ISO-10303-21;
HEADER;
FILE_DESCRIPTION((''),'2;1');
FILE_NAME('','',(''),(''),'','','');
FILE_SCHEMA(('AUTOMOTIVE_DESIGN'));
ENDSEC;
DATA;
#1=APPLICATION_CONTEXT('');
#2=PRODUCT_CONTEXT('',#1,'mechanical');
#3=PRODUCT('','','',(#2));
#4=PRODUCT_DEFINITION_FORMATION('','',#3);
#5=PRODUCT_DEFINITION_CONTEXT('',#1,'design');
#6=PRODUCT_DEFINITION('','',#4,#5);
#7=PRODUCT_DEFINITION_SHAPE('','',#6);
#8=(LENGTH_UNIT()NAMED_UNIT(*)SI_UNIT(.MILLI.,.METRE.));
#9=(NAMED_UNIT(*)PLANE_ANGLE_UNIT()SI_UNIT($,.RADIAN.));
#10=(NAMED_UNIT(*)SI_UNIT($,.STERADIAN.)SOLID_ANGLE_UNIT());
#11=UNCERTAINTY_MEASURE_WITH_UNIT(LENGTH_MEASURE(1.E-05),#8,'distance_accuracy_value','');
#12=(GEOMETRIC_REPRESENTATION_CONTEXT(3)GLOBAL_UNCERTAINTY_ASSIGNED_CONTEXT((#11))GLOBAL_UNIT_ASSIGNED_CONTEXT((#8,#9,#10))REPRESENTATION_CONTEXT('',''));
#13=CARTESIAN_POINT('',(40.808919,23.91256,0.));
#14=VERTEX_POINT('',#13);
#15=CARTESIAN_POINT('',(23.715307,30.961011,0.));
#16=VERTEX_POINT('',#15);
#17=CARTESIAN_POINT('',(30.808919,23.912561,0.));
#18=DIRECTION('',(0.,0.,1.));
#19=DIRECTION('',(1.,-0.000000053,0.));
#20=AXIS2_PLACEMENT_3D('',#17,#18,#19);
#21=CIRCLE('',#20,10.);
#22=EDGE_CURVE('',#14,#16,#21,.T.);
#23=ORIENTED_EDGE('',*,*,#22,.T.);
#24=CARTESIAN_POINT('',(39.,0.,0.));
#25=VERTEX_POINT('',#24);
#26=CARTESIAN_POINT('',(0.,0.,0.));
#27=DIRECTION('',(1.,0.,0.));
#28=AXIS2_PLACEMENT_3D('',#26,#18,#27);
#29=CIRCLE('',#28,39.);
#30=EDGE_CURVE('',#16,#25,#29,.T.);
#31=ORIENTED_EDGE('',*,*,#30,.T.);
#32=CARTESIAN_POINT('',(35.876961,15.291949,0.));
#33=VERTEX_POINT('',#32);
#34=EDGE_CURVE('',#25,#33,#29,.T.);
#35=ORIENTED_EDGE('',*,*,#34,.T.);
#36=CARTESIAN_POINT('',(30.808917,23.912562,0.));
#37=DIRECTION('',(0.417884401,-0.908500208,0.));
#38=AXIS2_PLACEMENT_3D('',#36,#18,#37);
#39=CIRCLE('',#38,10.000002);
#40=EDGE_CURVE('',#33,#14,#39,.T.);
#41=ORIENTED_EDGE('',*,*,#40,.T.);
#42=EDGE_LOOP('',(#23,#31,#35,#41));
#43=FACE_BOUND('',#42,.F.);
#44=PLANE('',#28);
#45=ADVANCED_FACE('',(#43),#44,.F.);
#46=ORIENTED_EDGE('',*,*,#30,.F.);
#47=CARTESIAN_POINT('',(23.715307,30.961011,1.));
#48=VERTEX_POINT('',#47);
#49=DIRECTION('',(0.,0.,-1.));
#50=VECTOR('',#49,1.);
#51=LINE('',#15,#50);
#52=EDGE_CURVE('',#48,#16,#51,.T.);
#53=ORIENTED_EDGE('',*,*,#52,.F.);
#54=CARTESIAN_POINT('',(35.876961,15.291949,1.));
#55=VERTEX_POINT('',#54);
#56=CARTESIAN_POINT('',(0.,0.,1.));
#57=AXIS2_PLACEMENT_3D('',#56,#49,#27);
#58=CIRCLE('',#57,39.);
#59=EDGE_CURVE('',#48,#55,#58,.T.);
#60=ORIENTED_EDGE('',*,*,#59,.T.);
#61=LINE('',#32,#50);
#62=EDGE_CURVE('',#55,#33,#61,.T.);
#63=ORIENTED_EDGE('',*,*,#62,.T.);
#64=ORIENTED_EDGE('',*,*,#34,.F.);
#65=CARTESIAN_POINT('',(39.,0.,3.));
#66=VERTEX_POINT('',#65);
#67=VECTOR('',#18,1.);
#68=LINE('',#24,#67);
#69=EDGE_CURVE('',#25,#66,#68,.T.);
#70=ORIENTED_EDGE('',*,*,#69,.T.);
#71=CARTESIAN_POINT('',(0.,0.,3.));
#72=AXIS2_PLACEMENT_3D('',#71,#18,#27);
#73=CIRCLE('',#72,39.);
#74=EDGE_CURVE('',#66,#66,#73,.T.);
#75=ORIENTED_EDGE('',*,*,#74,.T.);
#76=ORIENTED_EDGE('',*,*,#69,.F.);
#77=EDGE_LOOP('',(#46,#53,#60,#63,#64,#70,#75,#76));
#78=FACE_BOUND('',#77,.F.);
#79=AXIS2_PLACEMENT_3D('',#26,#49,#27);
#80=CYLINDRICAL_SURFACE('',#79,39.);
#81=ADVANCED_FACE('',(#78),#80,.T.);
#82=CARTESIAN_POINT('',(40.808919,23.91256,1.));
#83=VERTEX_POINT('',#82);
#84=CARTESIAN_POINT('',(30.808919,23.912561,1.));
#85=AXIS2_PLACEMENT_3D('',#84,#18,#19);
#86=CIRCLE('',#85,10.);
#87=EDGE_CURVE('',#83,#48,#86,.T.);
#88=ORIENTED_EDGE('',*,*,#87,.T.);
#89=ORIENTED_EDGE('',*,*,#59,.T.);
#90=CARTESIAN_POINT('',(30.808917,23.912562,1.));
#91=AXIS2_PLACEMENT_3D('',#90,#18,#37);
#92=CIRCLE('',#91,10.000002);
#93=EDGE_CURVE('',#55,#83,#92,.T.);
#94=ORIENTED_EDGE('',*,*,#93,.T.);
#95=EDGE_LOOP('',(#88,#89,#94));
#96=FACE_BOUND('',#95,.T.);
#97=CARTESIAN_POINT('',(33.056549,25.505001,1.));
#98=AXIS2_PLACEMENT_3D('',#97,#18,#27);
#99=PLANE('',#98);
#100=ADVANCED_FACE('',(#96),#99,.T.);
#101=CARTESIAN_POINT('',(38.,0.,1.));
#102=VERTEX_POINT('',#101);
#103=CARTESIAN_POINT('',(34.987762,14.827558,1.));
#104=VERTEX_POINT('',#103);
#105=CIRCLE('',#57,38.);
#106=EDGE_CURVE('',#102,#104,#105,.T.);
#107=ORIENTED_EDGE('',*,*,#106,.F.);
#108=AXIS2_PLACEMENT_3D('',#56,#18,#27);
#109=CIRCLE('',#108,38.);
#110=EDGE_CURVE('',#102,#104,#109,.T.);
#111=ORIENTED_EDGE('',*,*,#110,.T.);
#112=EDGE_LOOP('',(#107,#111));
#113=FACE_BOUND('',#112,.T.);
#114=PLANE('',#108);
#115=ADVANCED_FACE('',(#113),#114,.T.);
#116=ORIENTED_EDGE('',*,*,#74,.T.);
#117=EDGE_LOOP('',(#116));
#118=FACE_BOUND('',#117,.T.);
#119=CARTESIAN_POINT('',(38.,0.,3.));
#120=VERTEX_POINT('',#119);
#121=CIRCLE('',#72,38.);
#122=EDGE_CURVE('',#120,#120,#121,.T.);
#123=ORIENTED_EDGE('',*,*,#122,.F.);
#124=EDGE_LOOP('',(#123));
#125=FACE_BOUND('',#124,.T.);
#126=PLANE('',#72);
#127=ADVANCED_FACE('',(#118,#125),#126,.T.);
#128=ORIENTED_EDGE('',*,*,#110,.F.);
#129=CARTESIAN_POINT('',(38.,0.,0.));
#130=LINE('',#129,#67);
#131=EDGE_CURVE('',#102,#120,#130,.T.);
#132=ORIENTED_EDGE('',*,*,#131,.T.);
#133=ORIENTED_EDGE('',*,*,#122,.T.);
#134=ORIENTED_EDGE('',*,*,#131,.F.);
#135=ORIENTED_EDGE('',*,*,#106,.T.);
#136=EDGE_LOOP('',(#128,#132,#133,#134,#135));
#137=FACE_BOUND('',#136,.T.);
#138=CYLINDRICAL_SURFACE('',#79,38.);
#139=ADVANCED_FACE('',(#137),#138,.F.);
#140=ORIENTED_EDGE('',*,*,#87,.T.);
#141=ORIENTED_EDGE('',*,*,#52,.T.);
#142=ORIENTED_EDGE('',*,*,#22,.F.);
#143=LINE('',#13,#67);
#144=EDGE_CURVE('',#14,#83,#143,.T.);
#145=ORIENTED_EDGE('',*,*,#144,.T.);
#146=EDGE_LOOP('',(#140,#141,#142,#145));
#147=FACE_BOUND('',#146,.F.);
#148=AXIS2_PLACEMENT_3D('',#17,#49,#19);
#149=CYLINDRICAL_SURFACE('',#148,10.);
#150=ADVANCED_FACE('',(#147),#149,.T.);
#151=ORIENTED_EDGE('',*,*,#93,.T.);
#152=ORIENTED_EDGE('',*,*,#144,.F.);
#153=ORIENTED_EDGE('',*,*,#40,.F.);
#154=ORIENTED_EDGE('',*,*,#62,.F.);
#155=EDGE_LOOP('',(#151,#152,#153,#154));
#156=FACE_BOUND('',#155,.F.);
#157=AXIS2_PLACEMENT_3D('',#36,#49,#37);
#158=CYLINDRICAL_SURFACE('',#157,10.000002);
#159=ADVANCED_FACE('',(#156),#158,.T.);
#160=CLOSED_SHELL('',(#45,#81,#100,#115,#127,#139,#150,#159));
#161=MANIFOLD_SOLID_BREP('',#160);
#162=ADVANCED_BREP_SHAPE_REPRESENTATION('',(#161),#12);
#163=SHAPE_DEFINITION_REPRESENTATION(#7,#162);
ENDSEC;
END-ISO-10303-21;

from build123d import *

# Parameters (mm, degrees)
F0_R     = 38
F2_DEPTH = 1
F1_R     = 39
F1_R_2   = 38
F3_DEPTH = 3
F5_DEPTH = 1


with BuildPart() as f2:
    # F0 (on Top) → F2 (new body)
    with BuildSketch(Plane.XY):
        Circle(F0_R)
    extrude(amount=F2_DEPTH)

    # F1 (on face) → F3 (join)
    with BuildSketch(Plane.XY):
        Circle(F1_R)
        Circle(F1_R_2, mode=Mode.SUBTRACT)
    extrude(amount=F3_DEPTH)

    # F4 (on face) → F5 (join)
    with BuildSketch(Plane.XY):
        with BuildLine():
            ThreePointArc((34.987762, 14.827558), (39.228789, 18.517583), (40.808919, 23.91256))
            ThreePointArc((40.808919, 23.91256), (34.152493, 33.337024), (23.044816, 30.214838))
            ThreePointArc((23.044816, 30.214838), (30.018946, 23.299418), (34.987762, 14.827558))
        make_face()
    extrude(amount=F5_DEPTH)


solid = f2.part
